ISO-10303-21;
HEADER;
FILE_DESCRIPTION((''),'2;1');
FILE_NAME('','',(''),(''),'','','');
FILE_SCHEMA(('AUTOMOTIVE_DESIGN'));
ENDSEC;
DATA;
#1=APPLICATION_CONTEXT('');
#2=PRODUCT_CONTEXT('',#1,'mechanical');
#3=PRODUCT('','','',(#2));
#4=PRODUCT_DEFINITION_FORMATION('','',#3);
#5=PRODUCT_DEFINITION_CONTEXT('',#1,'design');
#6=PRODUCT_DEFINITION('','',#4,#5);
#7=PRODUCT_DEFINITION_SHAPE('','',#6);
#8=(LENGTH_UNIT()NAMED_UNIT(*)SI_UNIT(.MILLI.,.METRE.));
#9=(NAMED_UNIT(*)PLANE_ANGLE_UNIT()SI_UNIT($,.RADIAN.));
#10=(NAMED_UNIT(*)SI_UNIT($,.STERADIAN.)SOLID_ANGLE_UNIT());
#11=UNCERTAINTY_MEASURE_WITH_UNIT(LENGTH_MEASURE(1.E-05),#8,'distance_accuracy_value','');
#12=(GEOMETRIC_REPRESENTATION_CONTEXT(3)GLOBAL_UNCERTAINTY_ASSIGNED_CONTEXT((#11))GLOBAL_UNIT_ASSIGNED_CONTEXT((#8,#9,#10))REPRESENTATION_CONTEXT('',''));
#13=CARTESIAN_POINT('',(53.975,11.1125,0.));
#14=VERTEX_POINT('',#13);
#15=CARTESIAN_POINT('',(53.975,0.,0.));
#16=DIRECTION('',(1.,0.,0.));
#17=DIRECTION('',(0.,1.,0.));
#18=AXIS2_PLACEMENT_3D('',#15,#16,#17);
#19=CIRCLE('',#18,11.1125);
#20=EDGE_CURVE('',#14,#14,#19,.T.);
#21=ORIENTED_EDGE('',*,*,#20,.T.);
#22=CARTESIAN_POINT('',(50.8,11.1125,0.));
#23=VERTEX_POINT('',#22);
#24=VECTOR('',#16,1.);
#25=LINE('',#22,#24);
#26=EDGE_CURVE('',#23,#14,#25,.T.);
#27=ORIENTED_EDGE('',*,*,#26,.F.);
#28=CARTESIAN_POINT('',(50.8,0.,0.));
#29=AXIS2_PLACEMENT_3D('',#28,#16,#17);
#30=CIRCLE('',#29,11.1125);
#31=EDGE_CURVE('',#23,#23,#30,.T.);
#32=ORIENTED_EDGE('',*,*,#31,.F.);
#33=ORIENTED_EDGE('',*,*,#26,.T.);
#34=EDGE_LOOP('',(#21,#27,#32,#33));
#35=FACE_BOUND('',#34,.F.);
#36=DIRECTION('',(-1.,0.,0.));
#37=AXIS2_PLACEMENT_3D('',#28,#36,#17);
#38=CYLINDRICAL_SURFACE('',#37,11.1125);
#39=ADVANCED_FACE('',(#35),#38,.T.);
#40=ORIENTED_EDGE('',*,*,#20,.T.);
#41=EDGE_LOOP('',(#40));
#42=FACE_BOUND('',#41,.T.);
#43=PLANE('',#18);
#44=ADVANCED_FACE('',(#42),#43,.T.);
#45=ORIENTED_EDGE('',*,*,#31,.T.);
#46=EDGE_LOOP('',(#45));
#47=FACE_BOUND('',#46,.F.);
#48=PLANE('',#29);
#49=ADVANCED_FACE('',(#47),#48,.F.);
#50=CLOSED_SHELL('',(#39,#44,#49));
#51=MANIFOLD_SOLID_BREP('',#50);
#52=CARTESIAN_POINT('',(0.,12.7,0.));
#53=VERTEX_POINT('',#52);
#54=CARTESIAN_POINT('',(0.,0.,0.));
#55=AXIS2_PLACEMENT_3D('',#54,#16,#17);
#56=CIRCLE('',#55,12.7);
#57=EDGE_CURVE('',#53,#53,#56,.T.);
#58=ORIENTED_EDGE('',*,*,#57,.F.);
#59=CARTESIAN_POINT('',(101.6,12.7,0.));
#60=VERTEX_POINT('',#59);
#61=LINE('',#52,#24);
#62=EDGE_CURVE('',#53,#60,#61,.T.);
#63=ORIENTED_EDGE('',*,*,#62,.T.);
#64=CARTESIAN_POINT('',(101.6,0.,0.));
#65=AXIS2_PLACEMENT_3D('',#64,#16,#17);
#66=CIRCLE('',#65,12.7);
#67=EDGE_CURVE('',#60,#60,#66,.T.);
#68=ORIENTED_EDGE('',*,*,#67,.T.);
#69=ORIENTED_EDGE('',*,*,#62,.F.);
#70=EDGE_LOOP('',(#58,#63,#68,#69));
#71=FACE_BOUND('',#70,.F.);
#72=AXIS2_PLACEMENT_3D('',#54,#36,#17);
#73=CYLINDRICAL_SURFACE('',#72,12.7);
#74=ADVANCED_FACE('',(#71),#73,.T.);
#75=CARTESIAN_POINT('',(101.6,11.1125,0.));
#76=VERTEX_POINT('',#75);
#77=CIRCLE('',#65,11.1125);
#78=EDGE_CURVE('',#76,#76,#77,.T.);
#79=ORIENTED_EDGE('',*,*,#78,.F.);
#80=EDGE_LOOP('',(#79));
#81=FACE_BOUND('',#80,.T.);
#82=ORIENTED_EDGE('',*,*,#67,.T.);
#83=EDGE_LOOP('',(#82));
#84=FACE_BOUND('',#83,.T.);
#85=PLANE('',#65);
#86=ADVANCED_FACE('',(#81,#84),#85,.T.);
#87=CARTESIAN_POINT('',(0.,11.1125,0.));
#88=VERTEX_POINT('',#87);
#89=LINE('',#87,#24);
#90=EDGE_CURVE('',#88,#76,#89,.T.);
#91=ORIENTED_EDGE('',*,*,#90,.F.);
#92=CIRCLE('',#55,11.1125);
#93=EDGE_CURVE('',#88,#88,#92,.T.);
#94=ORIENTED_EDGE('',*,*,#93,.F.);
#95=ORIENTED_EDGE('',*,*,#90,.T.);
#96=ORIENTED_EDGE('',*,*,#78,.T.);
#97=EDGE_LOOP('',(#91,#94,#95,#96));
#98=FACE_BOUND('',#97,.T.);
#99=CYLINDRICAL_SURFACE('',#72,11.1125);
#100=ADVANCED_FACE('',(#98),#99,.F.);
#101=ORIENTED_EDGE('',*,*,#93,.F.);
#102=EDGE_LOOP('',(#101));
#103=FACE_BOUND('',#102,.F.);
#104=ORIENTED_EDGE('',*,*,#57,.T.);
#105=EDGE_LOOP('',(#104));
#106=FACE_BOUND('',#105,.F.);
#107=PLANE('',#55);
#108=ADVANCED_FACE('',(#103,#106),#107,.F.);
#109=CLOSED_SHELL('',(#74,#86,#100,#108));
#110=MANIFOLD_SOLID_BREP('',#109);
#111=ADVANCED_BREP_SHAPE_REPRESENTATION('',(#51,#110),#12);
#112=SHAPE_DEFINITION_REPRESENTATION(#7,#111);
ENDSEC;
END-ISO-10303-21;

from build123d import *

# Parameters (mm, degrees)
F0_R     = 12.7
F0_R_2   = 11.1125
F1_DEPTH = 101.6
F3_R     = 11.1125
F4_DEPTH = 3.175


with BuildPart() as f1:
    # F0 (on Right) → F1 (new body)
    with BuildSketch(Plane.YZ):
        Circle(F0_R)
        Circle(F0_R_2, mode=Mode.SUBTRACT)
    extrude(amount=F1_DEPTH)


with BuildPart() as f4:
    # F3 (on offset) → F4 (new body)
    with BuildSketch(Plane.YZ.offset(50.8)):
        Circle(F3_R)
    extrude(amount=F4_DEPTH)


solid = Compound([f1.part, f4.part])
